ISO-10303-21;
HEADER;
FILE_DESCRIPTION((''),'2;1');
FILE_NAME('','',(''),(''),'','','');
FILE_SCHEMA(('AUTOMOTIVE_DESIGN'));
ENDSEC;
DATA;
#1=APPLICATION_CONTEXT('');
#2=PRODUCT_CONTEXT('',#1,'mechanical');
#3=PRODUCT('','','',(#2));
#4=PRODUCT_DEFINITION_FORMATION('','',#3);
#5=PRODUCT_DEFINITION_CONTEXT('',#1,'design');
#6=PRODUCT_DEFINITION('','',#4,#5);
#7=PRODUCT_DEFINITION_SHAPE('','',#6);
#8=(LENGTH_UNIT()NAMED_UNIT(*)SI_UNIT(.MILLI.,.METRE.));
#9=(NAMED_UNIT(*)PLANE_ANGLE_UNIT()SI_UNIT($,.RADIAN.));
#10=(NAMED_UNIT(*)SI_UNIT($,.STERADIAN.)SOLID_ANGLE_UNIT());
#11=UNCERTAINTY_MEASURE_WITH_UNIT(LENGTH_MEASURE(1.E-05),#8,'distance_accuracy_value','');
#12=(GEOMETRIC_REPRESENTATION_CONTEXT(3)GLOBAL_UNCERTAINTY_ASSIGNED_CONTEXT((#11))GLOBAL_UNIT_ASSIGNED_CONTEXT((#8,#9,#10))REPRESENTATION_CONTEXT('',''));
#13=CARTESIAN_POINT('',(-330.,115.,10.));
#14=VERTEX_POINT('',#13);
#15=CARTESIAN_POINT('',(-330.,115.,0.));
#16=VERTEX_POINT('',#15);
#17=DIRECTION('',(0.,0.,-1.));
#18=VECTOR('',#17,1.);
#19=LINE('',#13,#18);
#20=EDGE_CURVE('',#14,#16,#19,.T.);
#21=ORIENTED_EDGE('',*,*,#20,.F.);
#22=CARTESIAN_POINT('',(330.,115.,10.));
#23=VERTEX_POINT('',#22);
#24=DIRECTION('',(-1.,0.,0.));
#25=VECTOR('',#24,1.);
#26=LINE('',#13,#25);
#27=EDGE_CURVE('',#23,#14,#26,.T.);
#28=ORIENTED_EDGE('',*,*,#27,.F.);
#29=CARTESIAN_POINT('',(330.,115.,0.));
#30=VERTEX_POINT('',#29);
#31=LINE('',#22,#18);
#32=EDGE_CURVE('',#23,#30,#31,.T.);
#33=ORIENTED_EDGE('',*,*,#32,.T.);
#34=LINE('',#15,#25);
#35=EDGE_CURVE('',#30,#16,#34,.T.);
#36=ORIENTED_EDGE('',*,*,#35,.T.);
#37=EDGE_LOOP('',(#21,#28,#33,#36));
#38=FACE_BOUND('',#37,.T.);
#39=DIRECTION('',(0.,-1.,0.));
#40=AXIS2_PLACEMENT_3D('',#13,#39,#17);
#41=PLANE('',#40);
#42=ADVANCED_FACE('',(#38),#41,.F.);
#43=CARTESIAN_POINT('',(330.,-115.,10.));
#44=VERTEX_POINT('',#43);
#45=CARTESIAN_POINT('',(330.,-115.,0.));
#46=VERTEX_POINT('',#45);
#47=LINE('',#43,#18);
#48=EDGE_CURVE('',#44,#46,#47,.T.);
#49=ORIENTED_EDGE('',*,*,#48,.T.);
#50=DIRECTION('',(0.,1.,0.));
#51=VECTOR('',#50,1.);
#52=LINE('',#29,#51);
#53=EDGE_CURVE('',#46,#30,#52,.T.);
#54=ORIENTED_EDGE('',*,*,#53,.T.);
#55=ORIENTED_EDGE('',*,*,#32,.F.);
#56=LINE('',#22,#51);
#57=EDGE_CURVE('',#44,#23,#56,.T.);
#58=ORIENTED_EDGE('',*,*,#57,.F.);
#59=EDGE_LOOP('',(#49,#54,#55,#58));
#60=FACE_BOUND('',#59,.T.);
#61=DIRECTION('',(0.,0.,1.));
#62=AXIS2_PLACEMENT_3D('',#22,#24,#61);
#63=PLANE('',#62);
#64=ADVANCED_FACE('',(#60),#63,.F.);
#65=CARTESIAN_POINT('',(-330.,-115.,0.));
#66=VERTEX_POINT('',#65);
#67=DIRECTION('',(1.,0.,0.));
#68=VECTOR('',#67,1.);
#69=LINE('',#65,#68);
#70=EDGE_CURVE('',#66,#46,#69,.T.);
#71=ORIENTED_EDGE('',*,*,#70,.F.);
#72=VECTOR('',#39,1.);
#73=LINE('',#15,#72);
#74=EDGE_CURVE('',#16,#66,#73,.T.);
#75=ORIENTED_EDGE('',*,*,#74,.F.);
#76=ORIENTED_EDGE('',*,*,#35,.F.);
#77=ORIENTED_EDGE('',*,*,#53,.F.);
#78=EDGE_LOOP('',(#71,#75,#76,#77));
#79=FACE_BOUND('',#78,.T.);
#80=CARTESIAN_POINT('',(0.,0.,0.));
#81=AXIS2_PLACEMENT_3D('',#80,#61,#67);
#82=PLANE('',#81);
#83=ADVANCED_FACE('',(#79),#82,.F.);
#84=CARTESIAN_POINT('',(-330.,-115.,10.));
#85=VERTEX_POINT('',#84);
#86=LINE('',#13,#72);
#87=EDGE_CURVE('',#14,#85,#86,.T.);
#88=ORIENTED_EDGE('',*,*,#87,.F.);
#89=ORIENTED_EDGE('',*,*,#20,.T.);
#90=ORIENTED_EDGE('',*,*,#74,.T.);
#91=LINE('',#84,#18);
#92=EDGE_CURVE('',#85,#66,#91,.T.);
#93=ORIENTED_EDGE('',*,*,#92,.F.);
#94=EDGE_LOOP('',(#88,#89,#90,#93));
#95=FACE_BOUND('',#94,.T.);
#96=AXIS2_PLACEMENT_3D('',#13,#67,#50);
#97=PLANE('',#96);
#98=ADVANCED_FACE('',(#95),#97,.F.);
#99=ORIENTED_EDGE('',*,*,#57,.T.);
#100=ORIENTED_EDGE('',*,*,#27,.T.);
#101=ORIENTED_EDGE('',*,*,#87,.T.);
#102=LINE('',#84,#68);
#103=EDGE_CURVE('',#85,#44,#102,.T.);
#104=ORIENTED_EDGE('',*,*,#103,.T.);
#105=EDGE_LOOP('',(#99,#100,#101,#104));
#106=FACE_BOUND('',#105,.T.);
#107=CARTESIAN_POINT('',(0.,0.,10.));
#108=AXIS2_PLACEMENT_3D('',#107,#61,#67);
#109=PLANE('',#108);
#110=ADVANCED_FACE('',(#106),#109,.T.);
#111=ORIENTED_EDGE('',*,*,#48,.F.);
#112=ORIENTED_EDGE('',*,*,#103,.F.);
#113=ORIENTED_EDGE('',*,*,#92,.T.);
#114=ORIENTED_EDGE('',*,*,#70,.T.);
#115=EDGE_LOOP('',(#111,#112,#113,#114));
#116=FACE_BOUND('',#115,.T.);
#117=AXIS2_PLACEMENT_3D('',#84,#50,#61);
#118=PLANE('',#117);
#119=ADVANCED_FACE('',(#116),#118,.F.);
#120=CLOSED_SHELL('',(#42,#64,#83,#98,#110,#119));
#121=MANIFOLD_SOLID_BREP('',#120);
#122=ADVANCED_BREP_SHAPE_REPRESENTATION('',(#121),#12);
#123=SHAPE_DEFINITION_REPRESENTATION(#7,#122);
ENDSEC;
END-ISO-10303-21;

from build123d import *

# Parameters (mm, degrees)
SKETCH_1_W      = 660
SKETCH_1_H      = 230
EXTRUDE_1_DEPTH = 10


with BuildPart() as part:
    # 草图1 → 凸台-拉伸1 (new body)
    with BuildSketch(Plane.XY):
        Rectangle(SKETCH_1_W, SKETCH_1_H)
    extrude(amount=EXTRUDE_1_DEPTH)


solid = part.part
